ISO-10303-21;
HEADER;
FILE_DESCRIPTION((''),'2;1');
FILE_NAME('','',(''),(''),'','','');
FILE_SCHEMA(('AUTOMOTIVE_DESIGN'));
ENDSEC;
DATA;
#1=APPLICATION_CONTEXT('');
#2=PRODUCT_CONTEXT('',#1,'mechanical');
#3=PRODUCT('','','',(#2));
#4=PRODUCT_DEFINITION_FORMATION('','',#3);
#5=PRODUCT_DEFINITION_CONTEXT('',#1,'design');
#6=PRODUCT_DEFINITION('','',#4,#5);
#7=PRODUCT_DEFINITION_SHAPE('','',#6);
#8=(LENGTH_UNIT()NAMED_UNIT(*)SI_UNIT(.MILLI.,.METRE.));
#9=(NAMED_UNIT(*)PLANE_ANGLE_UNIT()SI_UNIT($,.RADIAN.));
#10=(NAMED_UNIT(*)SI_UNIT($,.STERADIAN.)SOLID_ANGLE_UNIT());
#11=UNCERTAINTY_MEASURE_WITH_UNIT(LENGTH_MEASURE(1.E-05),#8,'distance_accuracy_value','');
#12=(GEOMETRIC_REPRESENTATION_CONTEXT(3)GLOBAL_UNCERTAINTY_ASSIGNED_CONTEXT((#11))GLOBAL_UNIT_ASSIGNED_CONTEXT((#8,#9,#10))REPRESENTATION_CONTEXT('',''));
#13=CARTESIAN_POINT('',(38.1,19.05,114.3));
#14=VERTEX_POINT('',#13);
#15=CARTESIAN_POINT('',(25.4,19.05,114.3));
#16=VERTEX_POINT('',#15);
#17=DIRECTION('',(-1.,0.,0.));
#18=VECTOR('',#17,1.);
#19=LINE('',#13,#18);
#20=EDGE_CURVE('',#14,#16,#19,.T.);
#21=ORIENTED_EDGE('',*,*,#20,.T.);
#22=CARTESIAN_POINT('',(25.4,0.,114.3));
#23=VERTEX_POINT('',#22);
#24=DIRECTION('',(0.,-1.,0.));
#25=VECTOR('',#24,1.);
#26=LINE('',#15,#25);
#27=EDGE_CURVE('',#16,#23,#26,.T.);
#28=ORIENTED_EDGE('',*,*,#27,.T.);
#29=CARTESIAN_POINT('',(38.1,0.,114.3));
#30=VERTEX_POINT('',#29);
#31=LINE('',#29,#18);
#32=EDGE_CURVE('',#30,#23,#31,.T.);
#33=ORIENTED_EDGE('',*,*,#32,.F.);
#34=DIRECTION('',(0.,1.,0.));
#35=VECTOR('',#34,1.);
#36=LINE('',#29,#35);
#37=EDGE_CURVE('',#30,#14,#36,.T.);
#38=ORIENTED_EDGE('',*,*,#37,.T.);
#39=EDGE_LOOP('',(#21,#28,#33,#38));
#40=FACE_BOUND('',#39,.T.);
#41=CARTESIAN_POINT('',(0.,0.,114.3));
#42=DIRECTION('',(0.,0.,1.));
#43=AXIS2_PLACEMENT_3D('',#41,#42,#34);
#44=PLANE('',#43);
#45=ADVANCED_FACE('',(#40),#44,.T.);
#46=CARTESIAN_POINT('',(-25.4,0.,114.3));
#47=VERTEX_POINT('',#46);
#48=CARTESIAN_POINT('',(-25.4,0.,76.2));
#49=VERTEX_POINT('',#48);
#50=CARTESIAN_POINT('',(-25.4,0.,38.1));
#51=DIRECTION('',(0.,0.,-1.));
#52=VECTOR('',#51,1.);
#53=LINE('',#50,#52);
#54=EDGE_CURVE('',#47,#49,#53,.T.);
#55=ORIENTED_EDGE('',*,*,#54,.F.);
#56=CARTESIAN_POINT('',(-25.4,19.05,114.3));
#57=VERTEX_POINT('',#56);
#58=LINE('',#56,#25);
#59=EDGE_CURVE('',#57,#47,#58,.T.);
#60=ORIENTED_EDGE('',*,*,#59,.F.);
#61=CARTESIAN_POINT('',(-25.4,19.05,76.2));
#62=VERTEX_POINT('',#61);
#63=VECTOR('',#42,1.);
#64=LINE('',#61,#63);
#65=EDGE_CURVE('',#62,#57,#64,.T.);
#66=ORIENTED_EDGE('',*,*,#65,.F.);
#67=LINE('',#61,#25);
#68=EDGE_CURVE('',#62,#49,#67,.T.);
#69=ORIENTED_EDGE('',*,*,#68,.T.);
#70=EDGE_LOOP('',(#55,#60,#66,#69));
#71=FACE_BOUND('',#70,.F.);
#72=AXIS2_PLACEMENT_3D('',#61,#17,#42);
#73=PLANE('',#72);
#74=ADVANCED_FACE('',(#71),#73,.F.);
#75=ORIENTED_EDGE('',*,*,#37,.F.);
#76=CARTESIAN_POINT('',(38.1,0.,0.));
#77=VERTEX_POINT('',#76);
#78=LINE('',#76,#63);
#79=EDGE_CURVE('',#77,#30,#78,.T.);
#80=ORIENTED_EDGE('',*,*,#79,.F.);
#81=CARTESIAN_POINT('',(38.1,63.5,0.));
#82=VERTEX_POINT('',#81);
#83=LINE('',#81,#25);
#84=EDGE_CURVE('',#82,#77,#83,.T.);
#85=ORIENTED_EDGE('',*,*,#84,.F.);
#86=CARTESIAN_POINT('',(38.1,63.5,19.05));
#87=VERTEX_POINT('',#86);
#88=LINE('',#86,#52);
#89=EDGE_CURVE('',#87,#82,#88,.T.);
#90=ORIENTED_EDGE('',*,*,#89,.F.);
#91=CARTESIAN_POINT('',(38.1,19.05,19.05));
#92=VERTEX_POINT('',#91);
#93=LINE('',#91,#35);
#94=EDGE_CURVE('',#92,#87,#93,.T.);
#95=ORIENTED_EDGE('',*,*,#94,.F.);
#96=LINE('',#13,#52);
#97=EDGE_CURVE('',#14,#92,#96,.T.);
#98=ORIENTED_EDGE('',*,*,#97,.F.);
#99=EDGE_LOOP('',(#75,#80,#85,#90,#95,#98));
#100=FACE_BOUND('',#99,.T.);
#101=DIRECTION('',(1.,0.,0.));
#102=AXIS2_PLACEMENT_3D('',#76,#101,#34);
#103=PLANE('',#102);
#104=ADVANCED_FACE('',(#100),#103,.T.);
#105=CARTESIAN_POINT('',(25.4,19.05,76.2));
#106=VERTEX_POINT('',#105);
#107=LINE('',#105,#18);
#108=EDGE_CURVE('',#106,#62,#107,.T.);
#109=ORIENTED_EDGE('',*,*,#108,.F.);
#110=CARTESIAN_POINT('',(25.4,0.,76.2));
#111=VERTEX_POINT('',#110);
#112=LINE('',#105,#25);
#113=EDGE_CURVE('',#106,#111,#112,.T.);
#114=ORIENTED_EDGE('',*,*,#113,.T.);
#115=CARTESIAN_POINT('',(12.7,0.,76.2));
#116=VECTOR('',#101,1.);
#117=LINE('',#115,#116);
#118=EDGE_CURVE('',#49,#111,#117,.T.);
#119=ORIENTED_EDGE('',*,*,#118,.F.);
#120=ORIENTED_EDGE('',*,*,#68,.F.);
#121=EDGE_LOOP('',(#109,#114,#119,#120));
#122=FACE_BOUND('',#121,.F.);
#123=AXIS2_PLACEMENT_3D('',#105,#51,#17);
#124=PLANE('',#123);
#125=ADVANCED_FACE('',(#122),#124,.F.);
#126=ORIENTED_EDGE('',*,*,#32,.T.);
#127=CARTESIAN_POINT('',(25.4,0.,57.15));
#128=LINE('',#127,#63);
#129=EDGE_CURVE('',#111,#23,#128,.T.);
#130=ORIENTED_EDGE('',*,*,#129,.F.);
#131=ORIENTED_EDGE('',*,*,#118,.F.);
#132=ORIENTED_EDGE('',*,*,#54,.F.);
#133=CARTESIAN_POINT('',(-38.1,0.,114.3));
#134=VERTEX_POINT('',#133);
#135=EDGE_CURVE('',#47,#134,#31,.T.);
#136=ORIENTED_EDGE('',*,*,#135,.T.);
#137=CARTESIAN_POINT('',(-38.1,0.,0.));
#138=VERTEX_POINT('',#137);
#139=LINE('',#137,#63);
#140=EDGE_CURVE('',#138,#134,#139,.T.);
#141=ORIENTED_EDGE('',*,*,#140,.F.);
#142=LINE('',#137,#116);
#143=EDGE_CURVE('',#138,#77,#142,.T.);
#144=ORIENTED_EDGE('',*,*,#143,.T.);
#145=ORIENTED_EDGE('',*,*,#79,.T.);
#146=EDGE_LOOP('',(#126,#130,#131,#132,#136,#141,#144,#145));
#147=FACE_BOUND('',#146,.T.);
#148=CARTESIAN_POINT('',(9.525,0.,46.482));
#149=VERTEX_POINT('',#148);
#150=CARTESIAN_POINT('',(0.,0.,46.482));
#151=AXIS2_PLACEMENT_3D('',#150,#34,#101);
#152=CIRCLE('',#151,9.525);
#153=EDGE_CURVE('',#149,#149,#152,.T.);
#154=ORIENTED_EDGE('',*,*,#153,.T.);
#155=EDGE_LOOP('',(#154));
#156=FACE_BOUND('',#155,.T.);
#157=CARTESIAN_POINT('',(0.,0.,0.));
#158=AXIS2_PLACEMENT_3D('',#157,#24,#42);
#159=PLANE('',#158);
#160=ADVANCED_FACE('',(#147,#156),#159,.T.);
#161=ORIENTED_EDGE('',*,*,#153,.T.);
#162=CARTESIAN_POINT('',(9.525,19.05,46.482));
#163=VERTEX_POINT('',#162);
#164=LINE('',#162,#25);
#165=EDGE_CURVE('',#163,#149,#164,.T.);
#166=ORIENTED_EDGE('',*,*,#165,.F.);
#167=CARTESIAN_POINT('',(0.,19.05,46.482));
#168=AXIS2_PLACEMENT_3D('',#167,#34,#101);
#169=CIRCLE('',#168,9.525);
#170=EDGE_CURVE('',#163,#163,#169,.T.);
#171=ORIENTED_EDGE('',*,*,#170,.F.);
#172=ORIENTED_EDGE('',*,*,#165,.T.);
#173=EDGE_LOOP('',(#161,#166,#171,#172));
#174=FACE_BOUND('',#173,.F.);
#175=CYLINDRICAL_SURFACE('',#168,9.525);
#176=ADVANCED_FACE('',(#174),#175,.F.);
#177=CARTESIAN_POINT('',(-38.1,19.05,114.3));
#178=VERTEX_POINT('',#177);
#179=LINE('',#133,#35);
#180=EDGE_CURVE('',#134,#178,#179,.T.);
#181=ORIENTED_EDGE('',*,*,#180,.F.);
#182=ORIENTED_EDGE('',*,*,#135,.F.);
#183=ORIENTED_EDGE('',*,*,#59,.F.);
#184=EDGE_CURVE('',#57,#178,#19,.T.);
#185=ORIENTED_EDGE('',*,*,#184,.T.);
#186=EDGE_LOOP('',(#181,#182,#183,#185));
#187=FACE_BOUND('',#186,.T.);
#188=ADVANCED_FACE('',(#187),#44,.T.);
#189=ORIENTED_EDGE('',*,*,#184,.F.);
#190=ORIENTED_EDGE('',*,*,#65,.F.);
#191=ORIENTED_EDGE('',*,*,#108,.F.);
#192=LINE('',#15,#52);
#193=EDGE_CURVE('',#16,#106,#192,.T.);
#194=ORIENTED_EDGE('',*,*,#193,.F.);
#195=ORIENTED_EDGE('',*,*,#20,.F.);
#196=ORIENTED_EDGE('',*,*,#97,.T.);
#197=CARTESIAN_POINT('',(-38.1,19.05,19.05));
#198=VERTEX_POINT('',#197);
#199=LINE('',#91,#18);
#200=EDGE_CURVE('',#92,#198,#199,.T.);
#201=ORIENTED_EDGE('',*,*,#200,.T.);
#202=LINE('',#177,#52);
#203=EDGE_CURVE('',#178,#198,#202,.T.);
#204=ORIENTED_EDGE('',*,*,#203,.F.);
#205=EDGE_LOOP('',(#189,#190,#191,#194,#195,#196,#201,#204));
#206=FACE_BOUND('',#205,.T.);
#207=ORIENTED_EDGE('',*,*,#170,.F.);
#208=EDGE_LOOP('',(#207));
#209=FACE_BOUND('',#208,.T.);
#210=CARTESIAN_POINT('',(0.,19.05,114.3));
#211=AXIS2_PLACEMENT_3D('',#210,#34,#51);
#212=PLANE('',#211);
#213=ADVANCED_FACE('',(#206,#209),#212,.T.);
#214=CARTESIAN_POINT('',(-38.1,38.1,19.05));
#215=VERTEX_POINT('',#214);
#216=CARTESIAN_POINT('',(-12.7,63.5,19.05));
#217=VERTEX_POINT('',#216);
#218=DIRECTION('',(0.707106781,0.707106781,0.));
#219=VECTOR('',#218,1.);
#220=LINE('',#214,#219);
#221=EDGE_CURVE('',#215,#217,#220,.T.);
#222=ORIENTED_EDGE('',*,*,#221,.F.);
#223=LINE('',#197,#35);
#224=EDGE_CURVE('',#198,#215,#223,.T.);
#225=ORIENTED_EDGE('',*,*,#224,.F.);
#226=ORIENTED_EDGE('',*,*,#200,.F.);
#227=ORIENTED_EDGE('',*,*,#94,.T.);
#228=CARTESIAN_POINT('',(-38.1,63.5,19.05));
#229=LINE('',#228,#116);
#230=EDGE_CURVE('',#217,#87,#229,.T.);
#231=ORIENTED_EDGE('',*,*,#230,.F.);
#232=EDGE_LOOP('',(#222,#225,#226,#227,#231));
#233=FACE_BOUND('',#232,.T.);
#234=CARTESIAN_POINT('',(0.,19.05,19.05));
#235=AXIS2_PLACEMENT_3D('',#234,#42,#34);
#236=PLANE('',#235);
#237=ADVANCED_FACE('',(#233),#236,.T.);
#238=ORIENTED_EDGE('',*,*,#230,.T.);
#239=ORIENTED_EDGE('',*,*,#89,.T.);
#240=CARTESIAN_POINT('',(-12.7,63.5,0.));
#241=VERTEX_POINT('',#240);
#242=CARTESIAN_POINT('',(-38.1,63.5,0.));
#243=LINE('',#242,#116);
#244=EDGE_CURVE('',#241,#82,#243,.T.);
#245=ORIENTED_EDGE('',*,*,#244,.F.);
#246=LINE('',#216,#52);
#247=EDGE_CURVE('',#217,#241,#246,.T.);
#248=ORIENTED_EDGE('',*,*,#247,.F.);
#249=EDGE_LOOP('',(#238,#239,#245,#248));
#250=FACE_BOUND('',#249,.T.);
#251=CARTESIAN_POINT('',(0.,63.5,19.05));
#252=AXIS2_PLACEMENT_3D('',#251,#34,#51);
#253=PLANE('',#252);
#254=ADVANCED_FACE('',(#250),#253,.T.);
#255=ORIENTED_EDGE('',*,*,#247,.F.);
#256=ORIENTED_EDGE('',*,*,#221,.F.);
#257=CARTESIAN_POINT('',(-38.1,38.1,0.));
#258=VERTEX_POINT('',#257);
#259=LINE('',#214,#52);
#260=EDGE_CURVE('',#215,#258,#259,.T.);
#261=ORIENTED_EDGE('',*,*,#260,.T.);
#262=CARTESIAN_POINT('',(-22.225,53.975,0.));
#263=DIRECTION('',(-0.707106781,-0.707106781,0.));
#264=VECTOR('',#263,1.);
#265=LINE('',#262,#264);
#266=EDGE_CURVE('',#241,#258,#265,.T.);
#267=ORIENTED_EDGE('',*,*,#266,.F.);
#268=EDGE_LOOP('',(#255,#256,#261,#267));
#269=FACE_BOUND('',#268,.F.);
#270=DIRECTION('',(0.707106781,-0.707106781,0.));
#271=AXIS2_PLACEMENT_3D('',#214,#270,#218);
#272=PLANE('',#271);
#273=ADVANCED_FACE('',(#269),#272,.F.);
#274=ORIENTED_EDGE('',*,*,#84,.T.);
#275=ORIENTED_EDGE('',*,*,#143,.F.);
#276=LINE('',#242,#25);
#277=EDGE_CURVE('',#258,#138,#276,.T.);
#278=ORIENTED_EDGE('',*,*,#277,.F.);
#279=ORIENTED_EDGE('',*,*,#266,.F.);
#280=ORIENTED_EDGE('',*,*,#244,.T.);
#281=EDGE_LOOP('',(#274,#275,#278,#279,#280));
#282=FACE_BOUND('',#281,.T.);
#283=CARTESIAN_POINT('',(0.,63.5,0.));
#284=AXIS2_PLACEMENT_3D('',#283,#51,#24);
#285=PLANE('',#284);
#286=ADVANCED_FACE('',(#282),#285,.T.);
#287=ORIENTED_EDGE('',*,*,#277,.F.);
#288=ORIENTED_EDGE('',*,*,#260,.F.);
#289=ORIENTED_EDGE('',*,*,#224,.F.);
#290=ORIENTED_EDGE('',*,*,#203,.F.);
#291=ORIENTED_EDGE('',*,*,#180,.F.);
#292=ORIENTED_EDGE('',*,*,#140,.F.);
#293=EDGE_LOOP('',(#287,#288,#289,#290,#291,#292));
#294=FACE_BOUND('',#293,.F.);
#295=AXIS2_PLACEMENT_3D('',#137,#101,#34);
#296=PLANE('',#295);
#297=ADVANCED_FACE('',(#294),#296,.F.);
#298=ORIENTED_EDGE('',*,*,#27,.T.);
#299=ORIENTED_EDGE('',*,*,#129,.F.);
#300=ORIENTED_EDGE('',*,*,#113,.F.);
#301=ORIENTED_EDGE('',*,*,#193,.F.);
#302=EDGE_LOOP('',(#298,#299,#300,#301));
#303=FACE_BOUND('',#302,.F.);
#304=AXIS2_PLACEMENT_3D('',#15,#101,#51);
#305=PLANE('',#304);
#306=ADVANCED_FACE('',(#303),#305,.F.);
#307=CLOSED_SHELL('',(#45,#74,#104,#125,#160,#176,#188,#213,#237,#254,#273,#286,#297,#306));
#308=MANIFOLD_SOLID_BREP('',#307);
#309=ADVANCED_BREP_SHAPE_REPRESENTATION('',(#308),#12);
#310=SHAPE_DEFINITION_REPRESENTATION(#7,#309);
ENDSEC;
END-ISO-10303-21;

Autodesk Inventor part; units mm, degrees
ref_plane "YZ Plane" through (0, 0, 0) normal (1, 0, 0) x (0, 1, 0)
ref_plane "XZ Plane" through (0, 0, 0) normal (0, 1, 0) x (-1, 0, 0)
ref_plane "XY Plane" through (0, 0, 0) normal (0, 0, 1) x (1, 0, 0)
sketch "Sketch2" plane through (0, 0, 0) normal (1, 0, 0) x (0, 1, 0)
  line L0 (0, 0) -> (0, 114.3)
  line L1 (0, 114.3) -> (19.05, 114.3)
  line L2 (19.05, 114.3) -> (19.05, 19.05)
  line L3 (19.05, 19.05) -> (63.5, 19.05)
  line L4 (63.5, 19.05) -> (63.5, 0)
  line L5 (63.5, 0) -> (0, 0)
  dimension "d0" = 114.3
  dimension "d1" = 63.5
  dimension "d2" = 19.05
extrude "Extrusion1" add sketch "Sketch2" along normal mid plane 76.2
sketch "Sketch3" plane through (-38.1, 19.05, 114.3) normal (0, 1, 0) x (1, 0, 0)
  line L0 (0, 0) -> (76.2, 0) projected
  line L1 (12.7, 0) -> (63.5, 0)
  line L2 (63.5, 0) -> (63.5, 38.1)
  line L3 (63.5, 38.1) -> (12.7, 38.1)
  line L4 (12.7, 38.1) -> (12.7, 0)
  line L5 (12.7, 38.1) -> (0, 38.1) construction
  line L6 (0, 0) -> (0, 95.25) construction
  line L7 (63.5, 38.1) -> (76.2, 38.1) construction
  line L8 (76.2, 95.25) -> (76.2, 0) construction
  circle A0 centre (38.1, 67.818) radius 9.525
  point P0 (38.1, 114.3)
  point P1 (63.5, 0)
  dimension "d5" = 12.7
  dimension "d6" = 50.8
  dimension "d7" = 38.1
  dimension "d8" = 38.1
  dimension "d9" = 67.818
  dimension "d10" = 19.05
extrude "Extrusion2" cut sketch "Sketch3" against normal through all
sketch "Sketch4" plane through (-38.1, 19.05, 19.05) normal (0, 0, 1) x (1, 0, 0)
  line L0 (0, 44.45) -> (0, -19.05) projected
  line L1 (0, 19.05) -> (25.4, 44.45)
  line L2 (76.2, 44.45) -> (0, 44.45) projected
  point P0 (38.1, -19.05)
  dimension "d13" = 50.8
  dimension "d14" = 25.4
extrude "Extrusion3" cut sketch "Sketch4" against normal through all
properties part number "LBracket"
